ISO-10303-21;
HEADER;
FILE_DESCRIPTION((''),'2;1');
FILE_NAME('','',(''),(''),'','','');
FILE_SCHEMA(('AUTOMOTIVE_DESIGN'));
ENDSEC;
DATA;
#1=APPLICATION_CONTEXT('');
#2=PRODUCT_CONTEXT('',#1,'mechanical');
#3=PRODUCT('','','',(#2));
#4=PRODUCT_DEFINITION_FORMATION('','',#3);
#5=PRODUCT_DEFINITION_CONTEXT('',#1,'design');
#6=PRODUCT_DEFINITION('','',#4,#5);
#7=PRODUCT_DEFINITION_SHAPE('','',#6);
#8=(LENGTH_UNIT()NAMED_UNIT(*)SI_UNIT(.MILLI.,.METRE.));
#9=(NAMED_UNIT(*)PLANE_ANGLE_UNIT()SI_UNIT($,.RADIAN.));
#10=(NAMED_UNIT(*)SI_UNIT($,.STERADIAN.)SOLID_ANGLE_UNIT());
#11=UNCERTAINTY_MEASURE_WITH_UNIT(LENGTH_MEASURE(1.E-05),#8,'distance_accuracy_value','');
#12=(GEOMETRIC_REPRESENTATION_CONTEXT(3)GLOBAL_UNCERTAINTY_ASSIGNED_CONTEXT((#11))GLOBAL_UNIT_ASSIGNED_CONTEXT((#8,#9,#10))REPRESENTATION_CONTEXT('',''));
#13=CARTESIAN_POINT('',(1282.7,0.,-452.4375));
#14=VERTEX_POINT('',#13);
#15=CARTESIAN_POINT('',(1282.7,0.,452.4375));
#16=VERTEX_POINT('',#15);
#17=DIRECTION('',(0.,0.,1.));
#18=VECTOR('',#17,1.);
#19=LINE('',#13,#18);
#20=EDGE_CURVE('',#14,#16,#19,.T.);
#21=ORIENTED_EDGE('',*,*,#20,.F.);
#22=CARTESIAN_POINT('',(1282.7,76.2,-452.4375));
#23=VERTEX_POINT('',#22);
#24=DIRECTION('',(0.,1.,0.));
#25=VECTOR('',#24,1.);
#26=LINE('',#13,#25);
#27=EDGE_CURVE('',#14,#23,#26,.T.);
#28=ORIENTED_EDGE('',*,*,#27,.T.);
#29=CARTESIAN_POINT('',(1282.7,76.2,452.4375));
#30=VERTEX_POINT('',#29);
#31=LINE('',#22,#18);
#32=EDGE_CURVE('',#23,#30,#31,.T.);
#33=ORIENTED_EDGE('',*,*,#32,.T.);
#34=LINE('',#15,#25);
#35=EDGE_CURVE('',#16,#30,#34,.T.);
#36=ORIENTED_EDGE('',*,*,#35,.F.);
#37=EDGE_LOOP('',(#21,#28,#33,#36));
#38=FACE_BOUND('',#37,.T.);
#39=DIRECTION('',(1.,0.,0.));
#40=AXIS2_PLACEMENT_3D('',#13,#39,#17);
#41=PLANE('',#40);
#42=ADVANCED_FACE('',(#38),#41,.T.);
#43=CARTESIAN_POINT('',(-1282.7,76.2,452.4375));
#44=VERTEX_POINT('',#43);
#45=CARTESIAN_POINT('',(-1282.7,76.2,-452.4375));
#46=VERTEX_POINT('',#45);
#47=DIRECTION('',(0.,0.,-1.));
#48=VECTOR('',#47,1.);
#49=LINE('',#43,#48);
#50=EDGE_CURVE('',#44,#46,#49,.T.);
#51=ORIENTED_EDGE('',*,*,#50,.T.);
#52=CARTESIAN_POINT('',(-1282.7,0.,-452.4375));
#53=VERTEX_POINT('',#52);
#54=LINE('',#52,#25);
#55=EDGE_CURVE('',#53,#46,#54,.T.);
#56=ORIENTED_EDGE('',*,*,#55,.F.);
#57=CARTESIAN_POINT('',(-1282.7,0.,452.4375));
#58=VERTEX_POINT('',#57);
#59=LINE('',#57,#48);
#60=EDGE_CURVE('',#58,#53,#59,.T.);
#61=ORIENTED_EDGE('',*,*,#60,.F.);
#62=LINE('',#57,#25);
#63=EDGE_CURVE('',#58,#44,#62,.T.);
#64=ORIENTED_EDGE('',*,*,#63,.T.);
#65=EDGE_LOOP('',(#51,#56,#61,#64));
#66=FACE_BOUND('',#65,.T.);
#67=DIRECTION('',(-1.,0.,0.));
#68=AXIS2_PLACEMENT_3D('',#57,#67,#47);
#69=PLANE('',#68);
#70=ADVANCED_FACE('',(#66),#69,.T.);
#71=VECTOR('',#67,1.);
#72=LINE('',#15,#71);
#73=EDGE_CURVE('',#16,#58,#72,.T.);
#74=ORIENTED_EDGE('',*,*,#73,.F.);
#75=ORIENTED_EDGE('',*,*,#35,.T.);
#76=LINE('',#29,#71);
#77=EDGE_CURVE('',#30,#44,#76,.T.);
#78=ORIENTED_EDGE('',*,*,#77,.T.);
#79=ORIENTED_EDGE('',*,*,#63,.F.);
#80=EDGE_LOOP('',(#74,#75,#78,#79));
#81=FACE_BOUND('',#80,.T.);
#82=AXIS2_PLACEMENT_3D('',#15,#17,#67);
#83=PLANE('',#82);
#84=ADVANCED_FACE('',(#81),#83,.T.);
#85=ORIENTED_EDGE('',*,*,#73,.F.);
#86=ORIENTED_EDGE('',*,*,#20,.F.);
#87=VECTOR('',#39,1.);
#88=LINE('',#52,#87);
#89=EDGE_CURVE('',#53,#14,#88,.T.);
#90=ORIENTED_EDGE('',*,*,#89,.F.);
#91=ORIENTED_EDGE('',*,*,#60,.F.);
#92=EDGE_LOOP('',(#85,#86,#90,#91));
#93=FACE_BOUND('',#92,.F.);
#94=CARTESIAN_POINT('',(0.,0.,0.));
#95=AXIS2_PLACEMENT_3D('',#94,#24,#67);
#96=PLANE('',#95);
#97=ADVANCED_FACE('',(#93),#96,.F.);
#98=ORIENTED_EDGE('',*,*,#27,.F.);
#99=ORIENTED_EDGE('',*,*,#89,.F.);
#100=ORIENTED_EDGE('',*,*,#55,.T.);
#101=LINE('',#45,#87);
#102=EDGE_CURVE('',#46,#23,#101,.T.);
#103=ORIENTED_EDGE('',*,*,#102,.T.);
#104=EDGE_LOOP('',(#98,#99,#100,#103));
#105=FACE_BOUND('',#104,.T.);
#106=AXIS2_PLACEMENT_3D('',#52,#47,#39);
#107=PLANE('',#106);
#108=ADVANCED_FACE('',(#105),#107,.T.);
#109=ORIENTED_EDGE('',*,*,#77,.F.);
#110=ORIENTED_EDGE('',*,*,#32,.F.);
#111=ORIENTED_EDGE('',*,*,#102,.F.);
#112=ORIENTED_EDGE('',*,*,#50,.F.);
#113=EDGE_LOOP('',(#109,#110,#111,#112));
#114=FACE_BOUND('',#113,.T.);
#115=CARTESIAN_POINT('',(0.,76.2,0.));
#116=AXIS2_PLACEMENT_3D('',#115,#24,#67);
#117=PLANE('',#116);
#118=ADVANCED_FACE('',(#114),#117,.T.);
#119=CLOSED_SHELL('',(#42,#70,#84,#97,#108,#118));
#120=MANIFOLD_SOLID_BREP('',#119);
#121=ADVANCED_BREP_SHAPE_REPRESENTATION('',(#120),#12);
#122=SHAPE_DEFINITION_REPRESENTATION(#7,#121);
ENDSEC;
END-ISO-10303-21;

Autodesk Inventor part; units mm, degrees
ref_plane "YZ Plane" through (0, 0, 0) normal (1, 0, 0) x (0, 1, 0)
ref_plane "XZ Plane" through (0, 0, 0) normal (0, 1, 0) x (-1, 0, 0)
ref_plane "XY Plane" through (0, 0, 0) normal (0, 0, 1) x (1, 0, 0)
sketch "Sketch1" plane through (0, 0, 0) normal (0, 1, 0) x (-1, 0, 0)
  line L0 (1282.7, -452.4375) -> (-1282.7, -452.4375)
  line L1 (-1282.7, -452.4375) -> (-1282.7, 452.4375)
  line L2 (-1282.7, 452.4375) -> (1282.7, 452.4375)
  line L3 (1282.7, 452.4375) -> (1282.7, -452.4375)
  line L4 (1282.7, -452.4375) -> (-1282.7, 452.4375) construction
  line L5 (-1282.7, -452.4375) -> (1282.7, 452.4375) construction
  point P0 (0, 0)
  dimension "d0" = 2565.4
  dimension "d1" = 904.875
extrude "Extrusion1" add sketch "Sketch1" along normal blind 76.2
properties part number "15 - lid - 4" material "Granite, Cut, Polished"
